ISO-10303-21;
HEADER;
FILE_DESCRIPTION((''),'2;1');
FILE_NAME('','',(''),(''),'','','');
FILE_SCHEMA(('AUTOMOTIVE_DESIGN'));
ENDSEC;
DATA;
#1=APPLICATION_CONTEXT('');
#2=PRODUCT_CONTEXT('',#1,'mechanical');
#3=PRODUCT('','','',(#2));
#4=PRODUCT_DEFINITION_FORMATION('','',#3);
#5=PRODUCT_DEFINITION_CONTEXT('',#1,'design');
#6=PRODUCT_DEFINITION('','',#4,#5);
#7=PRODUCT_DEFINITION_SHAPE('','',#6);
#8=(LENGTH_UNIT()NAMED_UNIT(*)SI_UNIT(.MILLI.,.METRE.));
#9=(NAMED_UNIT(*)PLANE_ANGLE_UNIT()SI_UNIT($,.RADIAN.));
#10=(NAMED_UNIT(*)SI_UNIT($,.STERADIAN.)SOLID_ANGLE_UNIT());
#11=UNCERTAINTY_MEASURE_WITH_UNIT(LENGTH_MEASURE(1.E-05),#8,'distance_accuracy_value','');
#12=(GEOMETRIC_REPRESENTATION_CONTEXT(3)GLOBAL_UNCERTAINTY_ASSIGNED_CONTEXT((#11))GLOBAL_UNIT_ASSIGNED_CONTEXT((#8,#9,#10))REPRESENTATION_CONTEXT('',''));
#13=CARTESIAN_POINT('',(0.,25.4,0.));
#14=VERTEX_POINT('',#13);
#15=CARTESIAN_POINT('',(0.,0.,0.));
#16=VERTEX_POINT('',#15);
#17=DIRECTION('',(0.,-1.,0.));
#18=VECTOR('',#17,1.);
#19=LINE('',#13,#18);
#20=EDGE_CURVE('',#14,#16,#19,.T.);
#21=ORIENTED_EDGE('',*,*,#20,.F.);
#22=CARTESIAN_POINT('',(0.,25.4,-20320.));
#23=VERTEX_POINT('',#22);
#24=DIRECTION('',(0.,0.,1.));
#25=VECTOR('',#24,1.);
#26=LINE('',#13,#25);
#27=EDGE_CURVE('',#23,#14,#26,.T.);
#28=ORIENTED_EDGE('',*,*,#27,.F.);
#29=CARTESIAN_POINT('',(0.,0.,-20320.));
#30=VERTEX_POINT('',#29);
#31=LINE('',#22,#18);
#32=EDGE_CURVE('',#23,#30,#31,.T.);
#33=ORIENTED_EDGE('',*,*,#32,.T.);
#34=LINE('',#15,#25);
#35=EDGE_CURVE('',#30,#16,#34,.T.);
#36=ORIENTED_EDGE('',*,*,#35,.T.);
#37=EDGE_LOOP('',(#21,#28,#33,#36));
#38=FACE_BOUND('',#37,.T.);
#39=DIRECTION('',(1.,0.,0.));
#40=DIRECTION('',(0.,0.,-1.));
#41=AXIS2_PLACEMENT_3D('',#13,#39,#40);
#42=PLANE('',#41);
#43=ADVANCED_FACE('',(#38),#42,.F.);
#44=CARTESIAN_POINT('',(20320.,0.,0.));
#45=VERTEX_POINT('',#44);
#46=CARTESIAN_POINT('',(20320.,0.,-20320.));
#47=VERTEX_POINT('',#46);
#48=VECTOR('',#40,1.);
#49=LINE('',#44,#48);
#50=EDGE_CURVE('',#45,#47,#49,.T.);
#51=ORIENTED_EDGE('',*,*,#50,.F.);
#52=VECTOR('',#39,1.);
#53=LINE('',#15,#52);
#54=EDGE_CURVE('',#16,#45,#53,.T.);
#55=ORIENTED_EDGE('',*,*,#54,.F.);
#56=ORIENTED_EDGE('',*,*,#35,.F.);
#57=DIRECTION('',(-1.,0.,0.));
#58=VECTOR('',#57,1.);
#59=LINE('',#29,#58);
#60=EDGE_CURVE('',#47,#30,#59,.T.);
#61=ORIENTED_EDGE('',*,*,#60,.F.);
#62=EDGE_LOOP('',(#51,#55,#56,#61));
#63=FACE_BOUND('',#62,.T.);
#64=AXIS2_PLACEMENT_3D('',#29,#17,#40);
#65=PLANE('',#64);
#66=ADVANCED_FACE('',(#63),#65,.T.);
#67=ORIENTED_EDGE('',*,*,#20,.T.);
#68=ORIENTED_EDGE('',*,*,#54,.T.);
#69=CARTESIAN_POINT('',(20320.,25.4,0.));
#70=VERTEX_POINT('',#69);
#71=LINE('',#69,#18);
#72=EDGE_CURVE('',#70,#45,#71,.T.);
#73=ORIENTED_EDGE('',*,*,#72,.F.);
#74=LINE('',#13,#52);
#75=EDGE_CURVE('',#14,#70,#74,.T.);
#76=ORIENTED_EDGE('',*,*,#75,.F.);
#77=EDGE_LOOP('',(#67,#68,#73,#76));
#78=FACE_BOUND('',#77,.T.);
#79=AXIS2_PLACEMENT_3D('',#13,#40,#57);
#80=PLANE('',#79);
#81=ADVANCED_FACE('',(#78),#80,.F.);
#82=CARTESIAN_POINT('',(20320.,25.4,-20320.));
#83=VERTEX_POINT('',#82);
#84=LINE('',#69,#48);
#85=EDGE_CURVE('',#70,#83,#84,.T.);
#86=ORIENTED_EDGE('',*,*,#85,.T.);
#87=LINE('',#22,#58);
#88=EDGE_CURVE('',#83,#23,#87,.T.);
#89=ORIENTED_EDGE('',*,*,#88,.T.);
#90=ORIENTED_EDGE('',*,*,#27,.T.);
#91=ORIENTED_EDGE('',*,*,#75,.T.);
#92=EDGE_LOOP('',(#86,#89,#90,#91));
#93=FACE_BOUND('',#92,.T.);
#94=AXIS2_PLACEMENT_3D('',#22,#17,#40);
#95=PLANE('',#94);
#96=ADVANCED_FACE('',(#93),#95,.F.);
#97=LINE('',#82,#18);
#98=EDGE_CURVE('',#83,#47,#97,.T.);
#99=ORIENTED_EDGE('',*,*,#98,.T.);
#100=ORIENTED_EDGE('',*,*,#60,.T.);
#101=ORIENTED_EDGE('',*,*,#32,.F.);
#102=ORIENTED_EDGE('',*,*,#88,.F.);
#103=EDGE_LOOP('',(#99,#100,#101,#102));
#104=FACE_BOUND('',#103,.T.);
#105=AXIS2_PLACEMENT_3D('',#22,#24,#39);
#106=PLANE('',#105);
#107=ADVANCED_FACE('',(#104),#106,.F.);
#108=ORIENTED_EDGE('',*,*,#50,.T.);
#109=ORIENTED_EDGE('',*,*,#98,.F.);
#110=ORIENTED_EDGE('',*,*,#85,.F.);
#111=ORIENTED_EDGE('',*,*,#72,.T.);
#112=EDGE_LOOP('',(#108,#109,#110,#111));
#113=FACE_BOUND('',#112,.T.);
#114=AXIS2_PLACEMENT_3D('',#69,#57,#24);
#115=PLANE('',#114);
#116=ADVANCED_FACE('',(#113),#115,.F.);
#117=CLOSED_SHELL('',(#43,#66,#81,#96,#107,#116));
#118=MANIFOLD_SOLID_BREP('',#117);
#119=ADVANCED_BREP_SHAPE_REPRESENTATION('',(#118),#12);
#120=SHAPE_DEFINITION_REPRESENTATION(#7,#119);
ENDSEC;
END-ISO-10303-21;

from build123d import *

# Parameters (mm, degrees)
SKETCH1_W      = 20320
SKETCH1_H      = 20320
EXTRUDE1_DEPTH = 25.4


with BuildPart() as part:
    # Sketch1 → Extrude1 (new body)
    with BuildSketch(Plane(origin=(0, 0, 0), x_dir=(1, 0, 0), z_dir=(0, 1, 0))):
        with Locations((10160, 10160)):
            Rectangle(SKETCH1_W, SKETCH1_H)
    extrude(amount=EXTRUDE1_DEPTH)


solid = part.part
